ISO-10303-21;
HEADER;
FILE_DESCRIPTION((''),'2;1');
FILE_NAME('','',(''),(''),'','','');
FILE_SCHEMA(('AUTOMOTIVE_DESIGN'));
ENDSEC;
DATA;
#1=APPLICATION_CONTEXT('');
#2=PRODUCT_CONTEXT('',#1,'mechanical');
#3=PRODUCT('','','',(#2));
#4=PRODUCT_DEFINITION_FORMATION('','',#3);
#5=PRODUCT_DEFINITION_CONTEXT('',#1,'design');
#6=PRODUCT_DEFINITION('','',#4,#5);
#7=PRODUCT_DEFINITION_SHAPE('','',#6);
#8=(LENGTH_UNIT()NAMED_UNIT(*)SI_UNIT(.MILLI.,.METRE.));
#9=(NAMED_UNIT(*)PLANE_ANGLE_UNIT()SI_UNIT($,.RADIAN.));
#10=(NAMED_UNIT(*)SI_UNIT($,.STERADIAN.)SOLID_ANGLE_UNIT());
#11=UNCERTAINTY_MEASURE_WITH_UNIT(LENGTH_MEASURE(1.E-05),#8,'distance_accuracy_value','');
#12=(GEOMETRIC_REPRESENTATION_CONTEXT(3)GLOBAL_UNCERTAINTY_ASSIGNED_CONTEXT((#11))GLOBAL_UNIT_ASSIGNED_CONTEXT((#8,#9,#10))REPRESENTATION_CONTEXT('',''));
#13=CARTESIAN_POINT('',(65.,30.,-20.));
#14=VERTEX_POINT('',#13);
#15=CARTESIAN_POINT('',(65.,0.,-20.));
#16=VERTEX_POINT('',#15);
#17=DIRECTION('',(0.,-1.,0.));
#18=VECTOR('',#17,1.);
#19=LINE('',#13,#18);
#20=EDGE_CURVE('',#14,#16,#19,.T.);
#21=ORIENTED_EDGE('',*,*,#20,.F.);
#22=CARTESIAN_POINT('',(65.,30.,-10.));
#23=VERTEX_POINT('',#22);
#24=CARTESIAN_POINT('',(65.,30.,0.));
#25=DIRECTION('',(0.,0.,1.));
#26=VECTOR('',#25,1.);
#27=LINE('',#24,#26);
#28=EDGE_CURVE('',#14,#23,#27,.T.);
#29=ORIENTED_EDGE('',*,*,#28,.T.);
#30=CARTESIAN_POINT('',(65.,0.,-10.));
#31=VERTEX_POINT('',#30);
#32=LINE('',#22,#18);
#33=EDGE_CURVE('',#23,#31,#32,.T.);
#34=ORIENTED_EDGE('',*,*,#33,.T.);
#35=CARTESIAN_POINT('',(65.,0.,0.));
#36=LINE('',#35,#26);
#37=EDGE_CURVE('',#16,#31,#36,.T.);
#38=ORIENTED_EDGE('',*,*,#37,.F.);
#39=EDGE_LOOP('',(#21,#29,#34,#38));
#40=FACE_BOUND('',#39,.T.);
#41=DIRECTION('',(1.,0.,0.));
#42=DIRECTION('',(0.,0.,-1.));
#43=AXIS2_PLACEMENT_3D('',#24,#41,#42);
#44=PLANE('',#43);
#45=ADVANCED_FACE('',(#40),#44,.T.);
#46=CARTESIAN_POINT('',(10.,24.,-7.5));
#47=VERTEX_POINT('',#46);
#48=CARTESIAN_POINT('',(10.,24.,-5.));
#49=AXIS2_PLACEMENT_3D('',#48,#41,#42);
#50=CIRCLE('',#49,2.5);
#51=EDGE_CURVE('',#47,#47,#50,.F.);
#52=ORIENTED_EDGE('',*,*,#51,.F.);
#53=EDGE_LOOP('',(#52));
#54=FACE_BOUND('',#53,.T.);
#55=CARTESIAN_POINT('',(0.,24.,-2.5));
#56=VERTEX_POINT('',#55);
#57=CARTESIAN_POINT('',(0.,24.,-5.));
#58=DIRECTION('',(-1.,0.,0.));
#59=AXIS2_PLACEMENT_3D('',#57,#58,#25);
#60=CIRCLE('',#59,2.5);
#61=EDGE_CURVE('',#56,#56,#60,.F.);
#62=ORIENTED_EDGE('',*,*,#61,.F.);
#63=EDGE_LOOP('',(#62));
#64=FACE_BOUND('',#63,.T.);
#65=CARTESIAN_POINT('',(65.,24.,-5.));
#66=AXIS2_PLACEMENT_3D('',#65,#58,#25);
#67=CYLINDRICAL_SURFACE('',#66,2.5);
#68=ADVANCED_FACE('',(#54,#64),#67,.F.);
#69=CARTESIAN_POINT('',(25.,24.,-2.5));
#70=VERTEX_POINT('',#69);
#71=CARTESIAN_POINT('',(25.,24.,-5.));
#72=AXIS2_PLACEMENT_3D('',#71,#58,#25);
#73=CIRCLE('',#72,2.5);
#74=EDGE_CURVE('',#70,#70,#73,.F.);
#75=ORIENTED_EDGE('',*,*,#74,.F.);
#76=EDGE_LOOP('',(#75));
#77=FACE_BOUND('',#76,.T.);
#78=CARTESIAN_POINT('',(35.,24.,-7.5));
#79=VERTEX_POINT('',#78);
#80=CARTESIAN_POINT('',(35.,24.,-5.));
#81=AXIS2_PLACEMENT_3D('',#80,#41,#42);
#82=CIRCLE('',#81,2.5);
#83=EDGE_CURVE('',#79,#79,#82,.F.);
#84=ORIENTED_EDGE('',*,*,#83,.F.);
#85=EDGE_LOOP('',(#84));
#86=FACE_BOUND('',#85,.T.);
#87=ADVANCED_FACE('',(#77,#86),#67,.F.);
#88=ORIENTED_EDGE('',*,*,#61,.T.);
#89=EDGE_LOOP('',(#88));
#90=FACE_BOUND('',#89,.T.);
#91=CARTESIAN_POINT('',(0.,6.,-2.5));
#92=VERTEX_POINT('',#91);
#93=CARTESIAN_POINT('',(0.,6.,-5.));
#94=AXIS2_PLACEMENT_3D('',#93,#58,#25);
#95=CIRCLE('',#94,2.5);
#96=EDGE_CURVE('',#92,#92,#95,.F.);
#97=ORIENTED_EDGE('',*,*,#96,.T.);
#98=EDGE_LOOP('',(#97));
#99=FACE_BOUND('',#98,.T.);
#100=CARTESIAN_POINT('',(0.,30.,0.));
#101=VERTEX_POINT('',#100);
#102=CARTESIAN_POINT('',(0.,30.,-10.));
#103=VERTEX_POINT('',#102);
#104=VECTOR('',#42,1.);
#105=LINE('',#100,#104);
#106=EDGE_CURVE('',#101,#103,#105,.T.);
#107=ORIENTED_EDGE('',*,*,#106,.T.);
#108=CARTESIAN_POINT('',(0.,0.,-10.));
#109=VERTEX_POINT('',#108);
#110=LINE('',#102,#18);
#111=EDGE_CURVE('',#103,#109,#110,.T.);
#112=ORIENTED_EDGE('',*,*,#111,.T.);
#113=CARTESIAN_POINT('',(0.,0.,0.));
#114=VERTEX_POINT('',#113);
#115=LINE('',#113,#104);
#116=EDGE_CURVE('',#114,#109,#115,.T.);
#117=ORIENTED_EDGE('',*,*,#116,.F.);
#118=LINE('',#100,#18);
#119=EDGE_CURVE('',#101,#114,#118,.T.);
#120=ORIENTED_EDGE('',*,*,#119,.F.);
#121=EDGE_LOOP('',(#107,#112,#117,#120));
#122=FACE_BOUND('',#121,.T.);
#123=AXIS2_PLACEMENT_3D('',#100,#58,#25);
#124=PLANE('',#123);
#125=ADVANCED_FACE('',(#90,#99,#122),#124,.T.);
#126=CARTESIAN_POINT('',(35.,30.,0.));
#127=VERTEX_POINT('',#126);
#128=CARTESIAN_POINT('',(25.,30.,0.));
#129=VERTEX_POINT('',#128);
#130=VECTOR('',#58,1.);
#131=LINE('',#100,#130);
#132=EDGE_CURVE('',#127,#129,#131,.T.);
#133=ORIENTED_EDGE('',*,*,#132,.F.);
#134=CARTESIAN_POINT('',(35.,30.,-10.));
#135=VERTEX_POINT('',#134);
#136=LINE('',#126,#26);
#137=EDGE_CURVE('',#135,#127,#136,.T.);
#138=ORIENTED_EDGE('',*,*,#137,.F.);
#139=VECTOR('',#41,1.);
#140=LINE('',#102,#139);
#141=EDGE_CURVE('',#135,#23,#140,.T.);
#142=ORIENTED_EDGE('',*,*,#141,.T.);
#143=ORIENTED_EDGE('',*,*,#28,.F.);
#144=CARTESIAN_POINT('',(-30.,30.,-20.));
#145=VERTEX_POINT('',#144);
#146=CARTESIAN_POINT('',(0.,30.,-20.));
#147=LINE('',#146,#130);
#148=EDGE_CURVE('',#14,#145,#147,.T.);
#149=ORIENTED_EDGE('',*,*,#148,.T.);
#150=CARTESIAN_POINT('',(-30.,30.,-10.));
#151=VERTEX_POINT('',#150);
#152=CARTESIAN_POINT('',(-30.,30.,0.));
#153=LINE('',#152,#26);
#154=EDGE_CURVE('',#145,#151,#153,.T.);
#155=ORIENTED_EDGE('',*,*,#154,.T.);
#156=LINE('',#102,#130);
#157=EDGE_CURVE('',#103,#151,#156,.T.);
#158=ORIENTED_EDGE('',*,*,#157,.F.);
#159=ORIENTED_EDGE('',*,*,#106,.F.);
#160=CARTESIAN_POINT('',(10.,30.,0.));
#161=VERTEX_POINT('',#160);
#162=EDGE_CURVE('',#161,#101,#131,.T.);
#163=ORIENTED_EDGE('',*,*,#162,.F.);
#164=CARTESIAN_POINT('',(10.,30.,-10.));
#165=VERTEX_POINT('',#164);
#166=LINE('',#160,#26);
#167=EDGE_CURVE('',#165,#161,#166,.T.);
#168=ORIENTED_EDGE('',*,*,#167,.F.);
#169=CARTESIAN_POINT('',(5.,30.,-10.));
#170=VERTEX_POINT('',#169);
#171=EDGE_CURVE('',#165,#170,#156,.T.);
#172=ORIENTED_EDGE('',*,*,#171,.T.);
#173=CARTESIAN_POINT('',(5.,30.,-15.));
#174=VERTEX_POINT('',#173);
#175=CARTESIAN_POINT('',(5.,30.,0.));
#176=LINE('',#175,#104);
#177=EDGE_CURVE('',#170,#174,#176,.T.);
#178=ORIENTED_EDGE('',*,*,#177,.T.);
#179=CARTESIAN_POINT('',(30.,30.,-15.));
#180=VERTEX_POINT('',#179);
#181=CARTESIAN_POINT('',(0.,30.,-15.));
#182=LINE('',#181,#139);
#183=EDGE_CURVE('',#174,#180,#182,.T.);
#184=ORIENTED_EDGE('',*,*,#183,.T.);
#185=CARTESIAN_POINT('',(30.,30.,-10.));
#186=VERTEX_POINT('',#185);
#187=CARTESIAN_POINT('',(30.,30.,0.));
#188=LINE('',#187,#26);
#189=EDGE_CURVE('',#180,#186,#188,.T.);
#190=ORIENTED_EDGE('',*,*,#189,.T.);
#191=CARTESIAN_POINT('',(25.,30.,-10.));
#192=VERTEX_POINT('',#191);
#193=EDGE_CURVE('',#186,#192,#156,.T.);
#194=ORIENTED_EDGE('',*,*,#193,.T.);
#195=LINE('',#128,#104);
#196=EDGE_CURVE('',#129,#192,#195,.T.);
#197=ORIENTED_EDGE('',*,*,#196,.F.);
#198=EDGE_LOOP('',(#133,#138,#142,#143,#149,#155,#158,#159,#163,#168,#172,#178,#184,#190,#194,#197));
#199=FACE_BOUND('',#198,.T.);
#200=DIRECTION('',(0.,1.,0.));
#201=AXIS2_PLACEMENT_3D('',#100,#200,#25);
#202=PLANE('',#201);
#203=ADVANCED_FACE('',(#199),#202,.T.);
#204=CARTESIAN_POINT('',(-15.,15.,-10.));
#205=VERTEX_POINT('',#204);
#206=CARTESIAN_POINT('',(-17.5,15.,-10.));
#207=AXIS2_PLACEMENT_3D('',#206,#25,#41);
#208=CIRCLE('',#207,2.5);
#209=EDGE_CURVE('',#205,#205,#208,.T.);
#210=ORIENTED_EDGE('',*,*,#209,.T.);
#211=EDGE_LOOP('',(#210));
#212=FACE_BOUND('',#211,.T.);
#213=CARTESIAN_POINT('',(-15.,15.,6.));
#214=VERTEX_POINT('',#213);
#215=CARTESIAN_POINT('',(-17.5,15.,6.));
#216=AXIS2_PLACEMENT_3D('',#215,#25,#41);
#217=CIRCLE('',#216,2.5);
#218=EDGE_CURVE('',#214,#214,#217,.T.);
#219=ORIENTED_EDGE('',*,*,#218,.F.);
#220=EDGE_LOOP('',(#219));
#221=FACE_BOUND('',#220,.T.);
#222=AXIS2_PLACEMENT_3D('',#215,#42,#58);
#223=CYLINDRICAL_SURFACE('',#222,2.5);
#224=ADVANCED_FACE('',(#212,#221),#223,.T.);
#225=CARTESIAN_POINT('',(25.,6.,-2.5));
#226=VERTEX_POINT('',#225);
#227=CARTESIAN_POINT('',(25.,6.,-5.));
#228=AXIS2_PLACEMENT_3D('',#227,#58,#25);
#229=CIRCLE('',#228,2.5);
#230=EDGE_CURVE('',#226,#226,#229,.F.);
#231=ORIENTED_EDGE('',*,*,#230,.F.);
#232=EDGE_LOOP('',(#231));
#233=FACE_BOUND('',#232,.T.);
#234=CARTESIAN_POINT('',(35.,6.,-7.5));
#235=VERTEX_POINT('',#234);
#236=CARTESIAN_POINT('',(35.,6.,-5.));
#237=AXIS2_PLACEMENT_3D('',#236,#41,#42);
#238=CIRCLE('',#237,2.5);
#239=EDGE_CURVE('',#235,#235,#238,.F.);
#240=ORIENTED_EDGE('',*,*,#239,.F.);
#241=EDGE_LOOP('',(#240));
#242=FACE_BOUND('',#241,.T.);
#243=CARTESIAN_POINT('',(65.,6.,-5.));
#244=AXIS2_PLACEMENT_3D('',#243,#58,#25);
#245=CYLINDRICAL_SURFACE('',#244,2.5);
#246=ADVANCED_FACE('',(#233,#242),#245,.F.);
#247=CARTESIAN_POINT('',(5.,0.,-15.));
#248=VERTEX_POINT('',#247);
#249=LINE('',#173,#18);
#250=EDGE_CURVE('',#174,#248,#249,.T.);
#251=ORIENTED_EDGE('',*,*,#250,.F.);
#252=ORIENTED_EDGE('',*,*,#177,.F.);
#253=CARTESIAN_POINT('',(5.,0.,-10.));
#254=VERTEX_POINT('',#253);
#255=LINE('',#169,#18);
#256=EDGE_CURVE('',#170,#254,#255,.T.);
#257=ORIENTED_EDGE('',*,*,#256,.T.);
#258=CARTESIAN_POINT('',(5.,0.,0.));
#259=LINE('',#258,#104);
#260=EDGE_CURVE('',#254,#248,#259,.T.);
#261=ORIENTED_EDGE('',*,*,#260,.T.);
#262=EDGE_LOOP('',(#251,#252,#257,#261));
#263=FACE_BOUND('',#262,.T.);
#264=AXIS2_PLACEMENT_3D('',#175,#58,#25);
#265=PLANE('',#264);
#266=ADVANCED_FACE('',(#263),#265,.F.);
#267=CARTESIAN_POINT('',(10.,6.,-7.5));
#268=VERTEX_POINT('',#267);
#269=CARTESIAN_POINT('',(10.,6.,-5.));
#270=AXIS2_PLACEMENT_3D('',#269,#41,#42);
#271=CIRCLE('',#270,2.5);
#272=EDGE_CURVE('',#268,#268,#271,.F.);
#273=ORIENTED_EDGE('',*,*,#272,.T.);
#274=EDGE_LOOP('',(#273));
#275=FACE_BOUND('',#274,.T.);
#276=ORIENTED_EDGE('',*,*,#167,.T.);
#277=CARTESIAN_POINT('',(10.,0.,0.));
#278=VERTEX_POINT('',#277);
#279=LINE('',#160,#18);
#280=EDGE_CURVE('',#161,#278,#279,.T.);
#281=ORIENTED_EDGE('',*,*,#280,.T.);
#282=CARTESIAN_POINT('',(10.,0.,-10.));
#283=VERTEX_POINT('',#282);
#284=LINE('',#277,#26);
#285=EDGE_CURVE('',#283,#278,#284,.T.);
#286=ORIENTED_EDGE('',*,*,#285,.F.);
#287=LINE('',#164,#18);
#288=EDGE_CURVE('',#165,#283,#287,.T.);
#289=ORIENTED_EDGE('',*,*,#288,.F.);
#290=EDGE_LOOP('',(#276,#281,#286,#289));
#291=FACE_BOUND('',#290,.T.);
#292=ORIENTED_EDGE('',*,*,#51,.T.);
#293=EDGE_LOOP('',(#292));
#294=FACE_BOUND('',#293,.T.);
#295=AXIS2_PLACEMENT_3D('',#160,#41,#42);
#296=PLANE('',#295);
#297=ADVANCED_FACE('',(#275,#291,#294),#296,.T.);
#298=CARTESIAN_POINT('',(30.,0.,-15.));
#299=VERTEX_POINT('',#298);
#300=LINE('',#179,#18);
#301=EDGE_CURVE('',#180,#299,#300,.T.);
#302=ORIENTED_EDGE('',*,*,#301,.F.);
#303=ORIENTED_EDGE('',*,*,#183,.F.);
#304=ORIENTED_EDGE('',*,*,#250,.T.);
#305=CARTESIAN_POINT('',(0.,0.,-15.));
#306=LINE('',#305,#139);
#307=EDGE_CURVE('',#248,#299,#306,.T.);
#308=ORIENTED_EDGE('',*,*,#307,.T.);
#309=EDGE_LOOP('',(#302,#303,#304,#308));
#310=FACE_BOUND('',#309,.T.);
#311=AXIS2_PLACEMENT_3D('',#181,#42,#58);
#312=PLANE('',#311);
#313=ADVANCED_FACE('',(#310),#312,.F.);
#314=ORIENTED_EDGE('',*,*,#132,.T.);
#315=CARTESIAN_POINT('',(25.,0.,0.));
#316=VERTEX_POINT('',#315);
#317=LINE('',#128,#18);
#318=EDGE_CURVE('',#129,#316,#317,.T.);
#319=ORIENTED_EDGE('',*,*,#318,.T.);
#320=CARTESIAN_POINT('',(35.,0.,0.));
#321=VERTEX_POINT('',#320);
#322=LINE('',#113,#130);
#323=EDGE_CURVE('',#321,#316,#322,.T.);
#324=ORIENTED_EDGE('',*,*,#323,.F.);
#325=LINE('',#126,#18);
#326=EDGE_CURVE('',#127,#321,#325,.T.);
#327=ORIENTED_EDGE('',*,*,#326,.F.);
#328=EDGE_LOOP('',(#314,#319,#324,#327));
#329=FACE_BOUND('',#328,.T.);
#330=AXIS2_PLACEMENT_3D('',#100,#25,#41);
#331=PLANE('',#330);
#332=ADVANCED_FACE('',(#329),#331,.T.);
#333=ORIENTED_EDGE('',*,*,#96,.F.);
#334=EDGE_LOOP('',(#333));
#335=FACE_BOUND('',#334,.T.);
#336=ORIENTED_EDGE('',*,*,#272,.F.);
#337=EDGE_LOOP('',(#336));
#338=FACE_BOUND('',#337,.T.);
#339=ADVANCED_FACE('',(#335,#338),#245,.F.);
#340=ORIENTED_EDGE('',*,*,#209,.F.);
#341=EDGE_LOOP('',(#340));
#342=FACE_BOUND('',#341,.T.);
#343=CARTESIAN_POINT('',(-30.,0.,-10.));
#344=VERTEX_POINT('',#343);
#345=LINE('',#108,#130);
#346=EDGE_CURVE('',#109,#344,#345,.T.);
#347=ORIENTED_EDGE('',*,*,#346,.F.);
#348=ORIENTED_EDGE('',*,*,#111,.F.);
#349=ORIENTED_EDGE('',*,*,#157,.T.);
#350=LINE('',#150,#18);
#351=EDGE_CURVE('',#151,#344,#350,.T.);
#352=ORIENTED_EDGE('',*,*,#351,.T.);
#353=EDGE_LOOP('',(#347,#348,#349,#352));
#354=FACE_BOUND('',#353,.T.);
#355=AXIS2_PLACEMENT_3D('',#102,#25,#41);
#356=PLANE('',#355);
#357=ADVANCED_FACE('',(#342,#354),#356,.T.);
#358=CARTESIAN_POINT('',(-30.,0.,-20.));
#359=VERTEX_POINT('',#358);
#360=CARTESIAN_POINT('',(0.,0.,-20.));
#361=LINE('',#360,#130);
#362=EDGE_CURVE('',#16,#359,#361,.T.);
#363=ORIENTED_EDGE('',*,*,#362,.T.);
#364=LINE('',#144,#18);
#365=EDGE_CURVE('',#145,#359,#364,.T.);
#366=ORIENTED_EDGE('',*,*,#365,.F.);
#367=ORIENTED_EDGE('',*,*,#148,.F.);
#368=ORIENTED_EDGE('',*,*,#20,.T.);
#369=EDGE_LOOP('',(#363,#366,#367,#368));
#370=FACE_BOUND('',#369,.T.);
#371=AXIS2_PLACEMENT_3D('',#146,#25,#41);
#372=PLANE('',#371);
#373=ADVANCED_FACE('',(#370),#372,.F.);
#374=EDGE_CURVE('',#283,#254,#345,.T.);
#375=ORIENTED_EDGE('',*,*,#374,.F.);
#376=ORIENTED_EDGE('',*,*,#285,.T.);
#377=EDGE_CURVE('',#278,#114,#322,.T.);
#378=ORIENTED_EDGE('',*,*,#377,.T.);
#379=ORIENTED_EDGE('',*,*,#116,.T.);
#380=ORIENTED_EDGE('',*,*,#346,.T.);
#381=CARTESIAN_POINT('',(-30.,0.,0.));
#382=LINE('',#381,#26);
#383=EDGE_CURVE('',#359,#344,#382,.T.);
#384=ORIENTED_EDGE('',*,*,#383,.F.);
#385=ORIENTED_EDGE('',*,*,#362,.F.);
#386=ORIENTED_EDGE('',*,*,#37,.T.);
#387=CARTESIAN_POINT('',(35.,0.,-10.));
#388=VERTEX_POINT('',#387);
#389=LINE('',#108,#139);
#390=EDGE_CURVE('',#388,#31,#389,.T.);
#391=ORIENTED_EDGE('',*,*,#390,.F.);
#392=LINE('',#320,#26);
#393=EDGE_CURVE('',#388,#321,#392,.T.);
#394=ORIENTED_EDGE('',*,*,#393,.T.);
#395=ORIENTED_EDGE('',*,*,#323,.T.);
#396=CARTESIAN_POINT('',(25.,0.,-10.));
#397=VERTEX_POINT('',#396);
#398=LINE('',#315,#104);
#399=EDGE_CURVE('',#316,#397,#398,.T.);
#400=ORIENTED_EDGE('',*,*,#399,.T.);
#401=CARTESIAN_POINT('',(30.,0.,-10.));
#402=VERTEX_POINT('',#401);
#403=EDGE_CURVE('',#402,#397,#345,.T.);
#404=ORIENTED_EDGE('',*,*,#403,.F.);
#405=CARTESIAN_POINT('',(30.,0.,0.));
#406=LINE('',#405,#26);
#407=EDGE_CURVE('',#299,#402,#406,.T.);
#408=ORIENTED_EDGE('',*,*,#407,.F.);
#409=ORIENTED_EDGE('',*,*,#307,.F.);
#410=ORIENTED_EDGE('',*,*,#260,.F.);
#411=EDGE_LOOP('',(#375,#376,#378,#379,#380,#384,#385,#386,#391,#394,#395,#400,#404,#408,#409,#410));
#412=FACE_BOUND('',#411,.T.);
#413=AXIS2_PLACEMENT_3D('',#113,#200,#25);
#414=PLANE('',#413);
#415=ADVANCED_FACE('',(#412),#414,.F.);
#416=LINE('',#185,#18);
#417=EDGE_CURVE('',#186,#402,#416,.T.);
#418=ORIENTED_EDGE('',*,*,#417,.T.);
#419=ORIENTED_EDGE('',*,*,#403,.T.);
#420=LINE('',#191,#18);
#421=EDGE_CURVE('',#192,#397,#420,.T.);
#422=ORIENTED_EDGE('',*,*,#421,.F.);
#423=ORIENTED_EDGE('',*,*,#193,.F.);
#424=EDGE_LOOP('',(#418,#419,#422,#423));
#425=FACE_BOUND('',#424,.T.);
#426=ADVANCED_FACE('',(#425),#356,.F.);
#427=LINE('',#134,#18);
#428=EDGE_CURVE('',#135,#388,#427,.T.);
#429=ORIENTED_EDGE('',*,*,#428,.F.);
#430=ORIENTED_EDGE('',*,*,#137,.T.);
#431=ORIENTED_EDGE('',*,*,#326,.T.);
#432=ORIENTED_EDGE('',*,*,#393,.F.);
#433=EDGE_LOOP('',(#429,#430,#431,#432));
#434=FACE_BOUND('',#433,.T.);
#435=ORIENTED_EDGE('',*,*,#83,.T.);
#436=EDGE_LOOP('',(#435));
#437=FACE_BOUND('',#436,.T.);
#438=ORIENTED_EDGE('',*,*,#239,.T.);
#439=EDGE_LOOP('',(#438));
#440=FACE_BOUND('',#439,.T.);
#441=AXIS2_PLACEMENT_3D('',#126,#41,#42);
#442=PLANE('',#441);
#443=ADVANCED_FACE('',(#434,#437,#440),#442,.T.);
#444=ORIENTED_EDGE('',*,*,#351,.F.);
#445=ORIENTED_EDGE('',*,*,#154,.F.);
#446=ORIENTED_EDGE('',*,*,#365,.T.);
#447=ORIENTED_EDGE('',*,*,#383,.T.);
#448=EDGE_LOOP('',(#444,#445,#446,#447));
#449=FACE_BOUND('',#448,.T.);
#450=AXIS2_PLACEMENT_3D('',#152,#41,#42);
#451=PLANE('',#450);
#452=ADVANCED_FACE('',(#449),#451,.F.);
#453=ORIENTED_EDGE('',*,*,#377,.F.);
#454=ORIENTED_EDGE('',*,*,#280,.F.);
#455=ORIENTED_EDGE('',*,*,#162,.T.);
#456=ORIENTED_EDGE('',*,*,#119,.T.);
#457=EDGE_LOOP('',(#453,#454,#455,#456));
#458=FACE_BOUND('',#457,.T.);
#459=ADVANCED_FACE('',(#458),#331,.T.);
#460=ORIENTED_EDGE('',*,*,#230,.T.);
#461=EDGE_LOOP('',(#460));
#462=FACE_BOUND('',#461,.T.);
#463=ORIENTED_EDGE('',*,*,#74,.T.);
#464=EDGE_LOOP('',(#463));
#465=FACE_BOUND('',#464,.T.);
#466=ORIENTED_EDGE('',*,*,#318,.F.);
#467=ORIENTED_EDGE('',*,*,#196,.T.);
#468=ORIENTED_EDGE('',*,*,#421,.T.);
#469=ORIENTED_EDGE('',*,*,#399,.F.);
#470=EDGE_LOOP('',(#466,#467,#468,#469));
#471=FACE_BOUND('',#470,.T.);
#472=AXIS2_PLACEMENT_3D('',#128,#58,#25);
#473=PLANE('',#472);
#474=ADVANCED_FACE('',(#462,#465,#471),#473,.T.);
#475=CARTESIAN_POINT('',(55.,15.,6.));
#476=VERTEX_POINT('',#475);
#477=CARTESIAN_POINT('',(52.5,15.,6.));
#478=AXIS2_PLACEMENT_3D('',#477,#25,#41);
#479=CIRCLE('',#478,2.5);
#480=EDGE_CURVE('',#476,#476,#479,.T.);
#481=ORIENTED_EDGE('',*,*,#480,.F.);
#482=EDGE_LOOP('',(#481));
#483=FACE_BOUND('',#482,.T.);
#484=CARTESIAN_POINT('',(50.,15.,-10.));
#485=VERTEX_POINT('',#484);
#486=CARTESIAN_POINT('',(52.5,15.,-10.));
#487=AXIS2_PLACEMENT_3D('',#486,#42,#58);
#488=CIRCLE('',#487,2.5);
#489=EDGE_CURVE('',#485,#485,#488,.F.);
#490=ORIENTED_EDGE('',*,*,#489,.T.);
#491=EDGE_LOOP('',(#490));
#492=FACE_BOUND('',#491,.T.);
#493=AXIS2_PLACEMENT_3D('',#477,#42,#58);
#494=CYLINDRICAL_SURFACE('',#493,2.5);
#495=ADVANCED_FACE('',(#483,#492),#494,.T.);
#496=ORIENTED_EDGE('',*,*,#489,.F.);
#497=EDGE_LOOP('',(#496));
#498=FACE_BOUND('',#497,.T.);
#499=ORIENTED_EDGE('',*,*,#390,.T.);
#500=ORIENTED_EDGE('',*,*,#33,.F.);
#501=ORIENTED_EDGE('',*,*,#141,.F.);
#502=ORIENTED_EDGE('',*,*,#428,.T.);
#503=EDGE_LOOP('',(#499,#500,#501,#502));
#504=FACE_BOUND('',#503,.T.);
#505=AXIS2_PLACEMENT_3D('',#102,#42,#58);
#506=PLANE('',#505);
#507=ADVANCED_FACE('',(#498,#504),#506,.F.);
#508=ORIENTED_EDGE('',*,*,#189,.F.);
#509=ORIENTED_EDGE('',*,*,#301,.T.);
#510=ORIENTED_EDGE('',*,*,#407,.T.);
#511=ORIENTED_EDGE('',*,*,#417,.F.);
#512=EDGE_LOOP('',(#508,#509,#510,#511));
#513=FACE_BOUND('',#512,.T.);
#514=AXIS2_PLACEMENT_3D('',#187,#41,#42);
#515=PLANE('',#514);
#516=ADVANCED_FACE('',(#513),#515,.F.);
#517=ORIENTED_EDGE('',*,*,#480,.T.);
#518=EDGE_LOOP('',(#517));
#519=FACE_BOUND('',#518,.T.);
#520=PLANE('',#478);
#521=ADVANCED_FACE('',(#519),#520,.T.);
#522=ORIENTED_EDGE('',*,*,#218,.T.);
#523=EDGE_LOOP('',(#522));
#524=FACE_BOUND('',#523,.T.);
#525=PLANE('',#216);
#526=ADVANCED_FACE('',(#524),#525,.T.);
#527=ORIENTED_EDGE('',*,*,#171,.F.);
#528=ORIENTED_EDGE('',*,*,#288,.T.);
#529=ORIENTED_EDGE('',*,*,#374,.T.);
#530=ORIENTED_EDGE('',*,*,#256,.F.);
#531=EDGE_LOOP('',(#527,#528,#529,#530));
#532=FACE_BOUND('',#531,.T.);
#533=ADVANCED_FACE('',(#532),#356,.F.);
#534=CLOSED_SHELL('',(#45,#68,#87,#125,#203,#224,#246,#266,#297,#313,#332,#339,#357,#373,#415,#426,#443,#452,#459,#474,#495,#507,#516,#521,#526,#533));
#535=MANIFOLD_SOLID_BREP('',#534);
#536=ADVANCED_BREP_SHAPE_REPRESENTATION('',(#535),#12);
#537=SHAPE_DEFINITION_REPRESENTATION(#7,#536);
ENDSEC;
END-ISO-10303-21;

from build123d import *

# Parameters (mm, degrees)
SKETCH1_W               = 30
SKETCH1_H               = 10
BOSS_EXTRUDE1_DEPTH     = 30
CUT_EXTRUDE1_DEPTH      = 55
CUT_EXTRUDE1_DEPTH_BACK = 22
SKETCH2_R               = 2.5
SKETCH3_R               = 2.5
BOSS_EXTRUDE2_DEPTH     = 16


with BuildPart() as part:
    # Sketch1 → Boss-Extrude1 (new body)
    with BuildSketch(Plane(origin=(0, 0, 0), x_dir=(1, 0, 0), z_dir=(0, 1, 0))):
        with Locations((-15, 15)):
            Rectangle(SKETCH1_W, SKETCH1_H)
        Polygon((30, 15), (30, 10), (25, 10), (25, 0), (35, 0), (35, 20), (0, 20), (0, 0), (10, 0), (10, 10), (5, 10), (5, 15), align=None)
        with Locations((50, 15)):
            Rectangle(SKETCH1_W, SKETCH1_H)
    extrude(amount=BOSS_EXTRUDE1_DEPTH)

    # Sketch2 → Cut-Extrude1 (cut, two sides: drawn at the far end of the back side and taken through both)
    with BuildSketch(Plane(origin=(10, 0, 0), x_dir=(0, 0, -1), z_dir=(1, 0, 0)).offset(-CUT_EXTRUDE1_DEPTH_BACK)):
        with Locations(Location((5, 24, 0), (0, 0, 180))):
            Circle(SKETCH2_R)
        with Locations(Location((5, 6, 0), (0, 0, 180))):
            Circle(SKETCH2_R)
    extrude(amount=CUT_EXTRUDE1_DEPTH + CUT_EXTRUDE1_DEPTH_BACK, mode=Mode.SUBTRACT)

    # Sketch3 → Boss-Extrude2 (add)
    with BuildSketch(Plane.XY.offset(-10)):
        with Locations((-17.5, 15)):
            Circle(SKETCH3_R)
        with Locations(Location((52.5, 15, 0), (0, 0, 180))):
            Circle(SKETCH3_R)
    extrude(amount=BOSS_EXTRUDE2_DEPTH)


solid = part.part
